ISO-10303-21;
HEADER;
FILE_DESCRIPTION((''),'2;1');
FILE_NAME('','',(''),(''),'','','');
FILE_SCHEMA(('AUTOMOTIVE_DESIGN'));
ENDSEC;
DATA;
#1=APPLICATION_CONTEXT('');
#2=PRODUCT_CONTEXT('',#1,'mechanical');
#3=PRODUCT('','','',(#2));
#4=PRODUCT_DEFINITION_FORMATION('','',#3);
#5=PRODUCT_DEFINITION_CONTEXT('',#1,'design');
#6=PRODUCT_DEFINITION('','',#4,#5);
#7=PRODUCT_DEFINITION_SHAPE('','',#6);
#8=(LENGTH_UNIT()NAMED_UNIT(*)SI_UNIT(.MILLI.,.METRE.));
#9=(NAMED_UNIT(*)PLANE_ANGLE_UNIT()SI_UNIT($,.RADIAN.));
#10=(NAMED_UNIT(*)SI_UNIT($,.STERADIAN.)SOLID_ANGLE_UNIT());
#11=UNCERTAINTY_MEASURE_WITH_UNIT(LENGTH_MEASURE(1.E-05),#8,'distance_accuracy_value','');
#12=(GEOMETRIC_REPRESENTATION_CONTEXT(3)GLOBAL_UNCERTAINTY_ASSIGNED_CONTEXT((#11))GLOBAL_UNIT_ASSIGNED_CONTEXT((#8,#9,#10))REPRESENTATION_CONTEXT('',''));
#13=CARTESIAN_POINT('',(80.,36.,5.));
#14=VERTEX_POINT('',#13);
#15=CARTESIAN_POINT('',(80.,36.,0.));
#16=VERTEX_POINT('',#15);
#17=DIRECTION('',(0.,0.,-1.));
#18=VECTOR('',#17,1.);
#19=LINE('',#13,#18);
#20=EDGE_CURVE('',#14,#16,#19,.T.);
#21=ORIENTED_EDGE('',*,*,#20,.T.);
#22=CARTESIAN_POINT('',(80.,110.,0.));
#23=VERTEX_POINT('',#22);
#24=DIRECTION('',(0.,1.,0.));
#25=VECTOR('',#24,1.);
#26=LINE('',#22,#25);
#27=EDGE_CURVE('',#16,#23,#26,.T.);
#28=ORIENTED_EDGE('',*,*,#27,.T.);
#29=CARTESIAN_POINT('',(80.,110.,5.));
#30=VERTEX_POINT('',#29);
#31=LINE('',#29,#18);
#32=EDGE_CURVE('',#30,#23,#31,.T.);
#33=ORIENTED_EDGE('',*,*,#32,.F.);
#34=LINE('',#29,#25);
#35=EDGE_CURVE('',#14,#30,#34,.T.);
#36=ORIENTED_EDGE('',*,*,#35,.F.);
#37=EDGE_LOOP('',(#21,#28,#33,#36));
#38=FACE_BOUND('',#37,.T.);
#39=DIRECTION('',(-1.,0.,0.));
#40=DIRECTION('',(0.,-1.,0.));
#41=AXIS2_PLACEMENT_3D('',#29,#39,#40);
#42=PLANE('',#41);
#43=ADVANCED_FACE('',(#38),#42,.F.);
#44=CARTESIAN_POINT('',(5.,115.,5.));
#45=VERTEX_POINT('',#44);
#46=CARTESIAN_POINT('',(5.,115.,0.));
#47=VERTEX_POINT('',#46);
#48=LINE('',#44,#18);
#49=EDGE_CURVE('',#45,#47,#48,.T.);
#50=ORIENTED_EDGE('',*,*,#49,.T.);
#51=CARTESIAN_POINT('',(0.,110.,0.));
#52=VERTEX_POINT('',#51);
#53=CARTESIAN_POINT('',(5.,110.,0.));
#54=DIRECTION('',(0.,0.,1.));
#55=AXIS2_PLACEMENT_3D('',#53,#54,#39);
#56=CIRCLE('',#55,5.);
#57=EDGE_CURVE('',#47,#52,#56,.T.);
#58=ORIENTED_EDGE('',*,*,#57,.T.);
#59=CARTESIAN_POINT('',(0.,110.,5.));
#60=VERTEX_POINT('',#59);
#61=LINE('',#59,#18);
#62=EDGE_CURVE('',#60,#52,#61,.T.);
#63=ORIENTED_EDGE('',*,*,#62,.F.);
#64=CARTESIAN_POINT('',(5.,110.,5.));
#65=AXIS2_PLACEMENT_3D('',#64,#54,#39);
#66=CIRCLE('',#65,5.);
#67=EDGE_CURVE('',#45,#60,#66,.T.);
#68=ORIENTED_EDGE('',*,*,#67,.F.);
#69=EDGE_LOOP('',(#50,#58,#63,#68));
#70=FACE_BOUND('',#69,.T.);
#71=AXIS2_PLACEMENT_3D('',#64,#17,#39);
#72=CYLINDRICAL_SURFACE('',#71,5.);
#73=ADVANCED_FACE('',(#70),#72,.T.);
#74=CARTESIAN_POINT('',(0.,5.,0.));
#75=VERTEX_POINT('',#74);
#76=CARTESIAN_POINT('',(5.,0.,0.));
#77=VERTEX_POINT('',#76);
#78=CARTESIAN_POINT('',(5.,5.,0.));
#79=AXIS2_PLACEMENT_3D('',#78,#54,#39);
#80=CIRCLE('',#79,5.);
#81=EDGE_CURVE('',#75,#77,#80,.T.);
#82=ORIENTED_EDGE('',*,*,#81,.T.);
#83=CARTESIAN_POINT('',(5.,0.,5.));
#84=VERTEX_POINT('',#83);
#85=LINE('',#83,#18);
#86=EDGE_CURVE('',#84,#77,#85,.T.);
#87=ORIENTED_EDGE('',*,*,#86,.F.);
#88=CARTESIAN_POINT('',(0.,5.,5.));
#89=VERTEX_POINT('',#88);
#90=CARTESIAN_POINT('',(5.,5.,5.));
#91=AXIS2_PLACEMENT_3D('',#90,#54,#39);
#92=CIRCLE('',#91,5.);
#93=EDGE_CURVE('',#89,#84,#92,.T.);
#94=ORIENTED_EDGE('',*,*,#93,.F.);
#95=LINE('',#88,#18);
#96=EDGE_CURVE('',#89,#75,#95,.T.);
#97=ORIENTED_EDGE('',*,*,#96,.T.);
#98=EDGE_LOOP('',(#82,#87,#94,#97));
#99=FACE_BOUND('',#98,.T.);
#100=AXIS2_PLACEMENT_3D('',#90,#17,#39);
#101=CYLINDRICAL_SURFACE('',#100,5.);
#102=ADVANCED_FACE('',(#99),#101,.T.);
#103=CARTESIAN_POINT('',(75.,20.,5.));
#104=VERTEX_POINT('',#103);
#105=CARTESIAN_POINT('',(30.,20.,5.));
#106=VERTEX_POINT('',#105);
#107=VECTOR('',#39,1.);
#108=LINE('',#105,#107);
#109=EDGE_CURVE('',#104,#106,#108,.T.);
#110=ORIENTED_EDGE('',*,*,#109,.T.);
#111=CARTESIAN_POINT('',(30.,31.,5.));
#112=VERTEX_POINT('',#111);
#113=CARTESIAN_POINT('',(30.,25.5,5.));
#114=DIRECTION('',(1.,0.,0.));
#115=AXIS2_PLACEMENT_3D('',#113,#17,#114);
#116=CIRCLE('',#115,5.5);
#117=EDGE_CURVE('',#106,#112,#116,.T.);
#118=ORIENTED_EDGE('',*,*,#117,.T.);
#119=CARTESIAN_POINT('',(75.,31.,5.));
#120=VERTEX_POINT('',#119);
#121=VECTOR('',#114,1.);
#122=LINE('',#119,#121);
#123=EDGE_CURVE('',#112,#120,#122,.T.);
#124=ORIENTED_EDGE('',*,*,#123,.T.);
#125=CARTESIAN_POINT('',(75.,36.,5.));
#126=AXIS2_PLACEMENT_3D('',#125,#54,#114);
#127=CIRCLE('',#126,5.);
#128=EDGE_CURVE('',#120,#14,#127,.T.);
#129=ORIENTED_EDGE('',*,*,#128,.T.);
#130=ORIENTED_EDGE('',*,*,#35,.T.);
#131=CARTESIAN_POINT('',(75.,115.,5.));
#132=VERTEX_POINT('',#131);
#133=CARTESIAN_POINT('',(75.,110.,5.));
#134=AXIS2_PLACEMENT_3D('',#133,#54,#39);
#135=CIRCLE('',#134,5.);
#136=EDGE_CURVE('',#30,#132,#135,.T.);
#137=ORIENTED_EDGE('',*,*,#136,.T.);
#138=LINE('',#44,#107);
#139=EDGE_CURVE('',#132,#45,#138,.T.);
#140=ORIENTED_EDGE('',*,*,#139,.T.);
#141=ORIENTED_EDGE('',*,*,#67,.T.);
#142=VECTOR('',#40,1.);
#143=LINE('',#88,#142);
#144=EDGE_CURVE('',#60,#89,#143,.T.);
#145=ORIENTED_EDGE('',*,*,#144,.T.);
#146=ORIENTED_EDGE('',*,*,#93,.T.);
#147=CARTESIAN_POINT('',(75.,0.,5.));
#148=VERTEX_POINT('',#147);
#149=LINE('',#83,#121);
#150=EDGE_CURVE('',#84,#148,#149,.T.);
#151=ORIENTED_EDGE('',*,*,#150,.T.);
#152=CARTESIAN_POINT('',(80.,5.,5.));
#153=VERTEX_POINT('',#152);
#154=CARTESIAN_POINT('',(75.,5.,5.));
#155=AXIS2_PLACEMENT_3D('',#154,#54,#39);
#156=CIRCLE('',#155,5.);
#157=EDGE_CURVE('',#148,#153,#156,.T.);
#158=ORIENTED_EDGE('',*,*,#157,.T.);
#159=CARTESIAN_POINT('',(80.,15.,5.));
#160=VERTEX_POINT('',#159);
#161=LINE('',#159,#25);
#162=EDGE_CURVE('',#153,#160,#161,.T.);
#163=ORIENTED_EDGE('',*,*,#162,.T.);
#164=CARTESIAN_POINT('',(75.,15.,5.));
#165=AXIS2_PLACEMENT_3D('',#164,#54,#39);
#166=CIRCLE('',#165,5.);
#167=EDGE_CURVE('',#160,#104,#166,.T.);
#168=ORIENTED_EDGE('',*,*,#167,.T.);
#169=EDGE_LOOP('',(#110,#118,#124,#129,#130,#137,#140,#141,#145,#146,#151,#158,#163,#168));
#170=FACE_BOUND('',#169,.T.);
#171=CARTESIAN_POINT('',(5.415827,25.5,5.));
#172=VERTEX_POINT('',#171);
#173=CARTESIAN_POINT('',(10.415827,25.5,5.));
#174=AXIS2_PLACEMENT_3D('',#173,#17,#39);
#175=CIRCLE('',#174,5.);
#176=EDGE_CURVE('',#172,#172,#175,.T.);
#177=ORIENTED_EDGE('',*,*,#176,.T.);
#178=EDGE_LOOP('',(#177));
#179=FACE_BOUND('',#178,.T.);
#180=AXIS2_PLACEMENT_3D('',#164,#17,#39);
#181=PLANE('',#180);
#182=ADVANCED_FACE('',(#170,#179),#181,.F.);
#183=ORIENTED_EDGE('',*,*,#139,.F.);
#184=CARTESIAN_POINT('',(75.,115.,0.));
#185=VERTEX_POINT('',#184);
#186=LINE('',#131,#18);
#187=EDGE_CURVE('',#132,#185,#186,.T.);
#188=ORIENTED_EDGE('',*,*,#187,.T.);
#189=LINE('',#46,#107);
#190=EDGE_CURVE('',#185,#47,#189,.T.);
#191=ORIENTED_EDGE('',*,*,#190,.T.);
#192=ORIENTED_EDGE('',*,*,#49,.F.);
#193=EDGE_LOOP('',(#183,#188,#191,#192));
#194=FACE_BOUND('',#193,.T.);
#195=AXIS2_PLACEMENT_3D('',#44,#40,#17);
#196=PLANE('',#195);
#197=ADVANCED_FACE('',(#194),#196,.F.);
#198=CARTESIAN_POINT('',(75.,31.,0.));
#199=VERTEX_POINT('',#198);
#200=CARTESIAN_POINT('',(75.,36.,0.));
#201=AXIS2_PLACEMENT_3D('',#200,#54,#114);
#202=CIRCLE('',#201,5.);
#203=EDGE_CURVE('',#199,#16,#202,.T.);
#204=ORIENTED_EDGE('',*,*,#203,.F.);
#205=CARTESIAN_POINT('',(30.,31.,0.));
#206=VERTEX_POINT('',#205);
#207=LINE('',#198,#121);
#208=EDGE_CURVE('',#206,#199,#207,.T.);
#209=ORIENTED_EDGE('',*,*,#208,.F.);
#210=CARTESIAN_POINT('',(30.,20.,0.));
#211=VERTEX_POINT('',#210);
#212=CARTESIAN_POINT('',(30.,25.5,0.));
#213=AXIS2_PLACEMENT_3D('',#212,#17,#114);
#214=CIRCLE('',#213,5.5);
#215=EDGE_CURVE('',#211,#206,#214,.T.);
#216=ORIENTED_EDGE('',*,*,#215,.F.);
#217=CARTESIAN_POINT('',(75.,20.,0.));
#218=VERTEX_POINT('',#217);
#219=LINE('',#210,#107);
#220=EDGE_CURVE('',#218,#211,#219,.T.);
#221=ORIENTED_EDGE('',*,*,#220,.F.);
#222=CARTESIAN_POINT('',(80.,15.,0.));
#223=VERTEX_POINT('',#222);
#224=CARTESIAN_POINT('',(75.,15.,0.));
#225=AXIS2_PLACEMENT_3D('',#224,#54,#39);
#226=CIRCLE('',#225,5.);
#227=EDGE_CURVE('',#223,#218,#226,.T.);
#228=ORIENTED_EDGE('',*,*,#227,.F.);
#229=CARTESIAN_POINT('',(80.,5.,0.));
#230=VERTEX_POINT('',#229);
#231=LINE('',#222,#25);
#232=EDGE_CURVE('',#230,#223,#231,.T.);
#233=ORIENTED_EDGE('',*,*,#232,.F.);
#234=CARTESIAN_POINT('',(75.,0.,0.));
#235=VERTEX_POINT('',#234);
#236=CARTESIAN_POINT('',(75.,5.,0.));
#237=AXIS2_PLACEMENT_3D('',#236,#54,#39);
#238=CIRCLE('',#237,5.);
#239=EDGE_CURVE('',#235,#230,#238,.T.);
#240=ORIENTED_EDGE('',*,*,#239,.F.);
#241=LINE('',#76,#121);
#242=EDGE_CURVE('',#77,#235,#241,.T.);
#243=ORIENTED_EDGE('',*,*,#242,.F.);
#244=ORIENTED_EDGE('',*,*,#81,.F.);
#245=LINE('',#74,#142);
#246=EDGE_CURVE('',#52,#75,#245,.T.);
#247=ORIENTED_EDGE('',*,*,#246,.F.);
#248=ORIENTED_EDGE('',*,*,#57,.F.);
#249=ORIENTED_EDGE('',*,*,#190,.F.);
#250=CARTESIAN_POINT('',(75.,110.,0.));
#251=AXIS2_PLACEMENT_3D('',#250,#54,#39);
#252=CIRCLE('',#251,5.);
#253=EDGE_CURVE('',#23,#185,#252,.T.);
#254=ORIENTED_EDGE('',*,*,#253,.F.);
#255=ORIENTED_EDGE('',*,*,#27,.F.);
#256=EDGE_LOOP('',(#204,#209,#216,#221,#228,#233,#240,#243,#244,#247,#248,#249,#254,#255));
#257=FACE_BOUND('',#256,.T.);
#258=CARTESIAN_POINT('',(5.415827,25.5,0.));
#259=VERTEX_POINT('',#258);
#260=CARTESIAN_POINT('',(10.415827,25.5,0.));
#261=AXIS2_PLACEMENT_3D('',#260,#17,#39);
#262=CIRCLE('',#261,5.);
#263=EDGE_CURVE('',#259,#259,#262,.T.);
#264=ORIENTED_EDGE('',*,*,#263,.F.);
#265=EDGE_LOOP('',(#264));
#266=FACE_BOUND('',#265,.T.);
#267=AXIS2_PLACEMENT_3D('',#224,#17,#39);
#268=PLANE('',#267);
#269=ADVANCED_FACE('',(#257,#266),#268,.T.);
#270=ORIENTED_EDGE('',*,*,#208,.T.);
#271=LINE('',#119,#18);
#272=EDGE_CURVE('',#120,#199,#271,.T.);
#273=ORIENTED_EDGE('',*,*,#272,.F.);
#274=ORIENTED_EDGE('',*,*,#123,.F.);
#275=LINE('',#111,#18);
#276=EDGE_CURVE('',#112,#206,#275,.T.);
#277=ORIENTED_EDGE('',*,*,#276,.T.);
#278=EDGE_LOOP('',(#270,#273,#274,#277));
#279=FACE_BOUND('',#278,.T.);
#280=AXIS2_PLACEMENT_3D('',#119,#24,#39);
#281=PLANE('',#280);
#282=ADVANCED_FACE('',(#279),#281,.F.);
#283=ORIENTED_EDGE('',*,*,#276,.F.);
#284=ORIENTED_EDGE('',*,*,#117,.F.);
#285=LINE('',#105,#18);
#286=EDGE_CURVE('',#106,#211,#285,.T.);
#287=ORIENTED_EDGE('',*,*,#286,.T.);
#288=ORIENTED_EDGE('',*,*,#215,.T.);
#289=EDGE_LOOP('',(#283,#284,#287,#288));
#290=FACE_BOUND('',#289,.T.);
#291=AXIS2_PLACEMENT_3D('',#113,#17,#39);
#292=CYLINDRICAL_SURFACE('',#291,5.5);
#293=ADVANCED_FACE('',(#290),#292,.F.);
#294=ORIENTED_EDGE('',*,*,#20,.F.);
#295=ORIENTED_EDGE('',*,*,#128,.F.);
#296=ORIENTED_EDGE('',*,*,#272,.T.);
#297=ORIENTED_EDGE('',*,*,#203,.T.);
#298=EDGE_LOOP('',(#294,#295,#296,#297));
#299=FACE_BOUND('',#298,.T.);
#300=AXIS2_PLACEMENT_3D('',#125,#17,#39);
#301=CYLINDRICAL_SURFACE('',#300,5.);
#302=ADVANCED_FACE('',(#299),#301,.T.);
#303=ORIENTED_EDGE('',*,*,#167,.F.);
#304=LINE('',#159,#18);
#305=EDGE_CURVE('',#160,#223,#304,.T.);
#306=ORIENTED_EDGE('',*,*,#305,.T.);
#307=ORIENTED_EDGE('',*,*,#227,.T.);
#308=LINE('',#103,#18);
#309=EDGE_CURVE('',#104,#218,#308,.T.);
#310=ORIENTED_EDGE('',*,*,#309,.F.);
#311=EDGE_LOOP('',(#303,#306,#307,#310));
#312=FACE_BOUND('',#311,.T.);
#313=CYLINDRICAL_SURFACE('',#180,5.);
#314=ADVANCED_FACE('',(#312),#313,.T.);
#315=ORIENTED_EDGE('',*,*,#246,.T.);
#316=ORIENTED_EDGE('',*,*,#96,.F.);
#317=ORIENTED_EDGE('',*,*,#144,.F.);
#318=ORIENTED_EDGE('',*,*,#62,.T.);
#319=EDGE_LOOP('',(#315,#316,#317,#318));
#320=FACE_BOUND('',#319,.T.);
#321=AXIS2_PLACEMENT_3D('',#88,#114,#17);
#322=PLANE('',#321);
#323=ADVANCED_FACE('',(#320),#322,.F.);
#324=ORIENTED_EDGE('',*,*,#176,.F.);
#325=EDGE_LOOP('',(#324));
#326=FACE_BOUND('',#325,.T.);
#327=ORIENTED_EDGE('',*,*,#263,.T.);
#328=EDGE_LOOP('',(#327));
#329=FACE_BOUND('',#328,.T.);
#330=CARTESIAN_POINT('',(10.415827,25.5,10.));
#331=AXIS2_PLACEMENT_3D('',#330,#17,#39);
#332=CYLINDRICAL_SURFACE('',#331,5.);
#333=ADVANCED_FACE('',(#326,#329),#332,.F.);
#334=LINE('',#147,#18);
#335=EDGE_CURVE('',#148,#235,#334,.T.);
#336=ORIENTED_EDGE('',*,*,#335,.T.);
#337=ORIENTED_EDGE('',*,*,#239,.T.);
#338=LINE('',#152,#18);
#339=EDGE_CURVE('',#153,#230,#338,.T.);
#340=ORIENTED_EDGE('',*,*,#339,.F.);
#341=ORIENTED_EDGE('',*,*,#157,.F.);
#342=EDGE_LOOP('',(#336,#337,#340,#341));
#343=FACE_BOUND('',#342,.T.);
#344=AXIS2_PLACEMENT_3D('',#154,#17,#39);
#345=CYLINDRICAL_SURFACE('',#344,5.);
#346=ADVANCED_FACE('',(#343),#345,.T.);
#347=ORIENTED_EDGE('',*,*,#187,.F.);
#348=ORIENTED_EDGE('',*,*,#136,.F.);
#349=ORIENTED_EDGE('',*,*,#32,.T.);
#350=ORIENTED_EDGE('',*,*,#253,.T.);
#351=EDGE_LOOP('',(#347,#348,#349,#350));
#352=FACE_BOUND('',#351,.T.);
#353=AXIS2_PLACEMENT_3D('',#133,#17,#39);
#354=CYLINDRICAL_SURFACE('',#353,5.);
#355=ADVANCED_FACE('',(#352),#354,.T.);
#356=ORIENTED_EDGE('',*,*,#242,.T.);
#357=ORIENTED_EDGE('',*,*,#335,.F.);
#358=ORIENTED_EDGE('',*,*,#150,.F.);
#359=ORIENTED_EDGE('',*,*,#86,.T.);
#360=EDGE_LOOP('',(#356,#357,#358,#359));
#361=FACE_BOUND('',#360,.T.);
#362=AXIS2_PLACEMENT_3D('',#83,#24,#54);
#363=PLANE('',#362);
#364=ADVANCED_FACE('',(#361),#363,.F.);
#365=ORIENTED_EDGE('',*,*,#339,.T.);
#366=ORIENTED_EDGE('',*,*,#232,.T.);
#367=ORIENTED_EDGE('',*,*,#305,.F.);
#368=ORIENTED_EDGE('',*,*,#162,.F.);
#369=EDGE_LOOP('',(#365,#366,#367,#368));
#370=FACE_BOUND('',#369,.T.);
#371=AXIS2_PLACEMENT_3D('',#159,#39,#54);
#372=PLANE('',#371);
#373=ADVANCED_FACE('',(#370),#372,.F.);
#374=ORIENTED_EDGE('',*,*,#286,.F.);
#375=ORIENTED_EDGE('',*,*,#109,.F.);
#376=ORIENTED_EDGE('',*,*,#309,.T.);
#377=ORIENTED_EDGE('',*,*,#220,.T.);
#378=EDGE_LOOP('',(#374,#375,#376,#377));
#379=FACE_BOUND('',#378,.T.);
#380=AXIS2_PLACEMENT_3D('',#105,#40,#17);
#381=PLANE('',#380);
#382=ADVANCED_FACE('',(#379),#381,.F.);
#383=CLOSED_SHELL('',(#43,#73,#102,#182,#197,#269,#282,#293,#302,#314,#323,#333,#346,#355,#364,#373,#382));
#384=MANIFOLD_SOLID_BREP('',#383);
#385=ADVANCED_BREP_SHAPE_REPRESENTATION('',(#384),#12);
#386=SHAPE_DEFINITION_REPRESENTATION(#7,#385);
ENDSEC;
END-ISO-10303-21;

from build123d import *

# Parameters (mm, degrees)
BOSS_EXTRU_1_DEPTH      = 5
ESQUISSE3_R             = 5
ENL_V_MAT_EXTRU_1_DEPTH = 10


with BuildPart() as part:
    # Esquisse1 → Boss.-Extru.1 (new body)
    with BuildSketch(Plane.XY):
        with BuildLine():
            Line((80, 110), (80, 36))
            ThreePointArc((80, 36), (78.535533906, 32.464466094), (75, 31))
            Line((75, 31), (30, 31))
            ThreePointArc((30, 31), (24.5, 25.5), (30, 20))
            Line((30, 20), (75, 20))
            ThreePointArc((75, 20), (78.535533906, 18.535533906), (80, 15))
            Line((80, 15), (80, 5))
            ThreePointArc((80, 5), (78.535533906, 1.464466094), (75, 0))
            Line((75, 0), (5, 0))
            ThreePointArc((5, 0), (1.464466094, 1.464466094), (0, 5))
            Line((0, 5), (0, 110))
            ThreePointArc((0, 110), (1.464466094, 113.535533906), (5, 115))
            Line((5, 115), (75, 115))
            ThreePointArc((75, 115), (78.535533906, 113.535533906), (80, 110))
        make_face()
    extrude(amount=BOSS_EXTRU_1_DEPTH)

    # Esquisse3 → Enlèv. mat.-Extru.1 (cut)
    with BuildSketch(Plane(origin=(0, 0, 0), x_dir=(-1, 0, 0), z_dir=(0, 0, -1))):
        with Locations((-10.415827114, 25.5)):
            Circle(ESQUISSE3_R)
    extrude(amount=-ENL_V_MAT_EXTRU_1_DEPTH, mode=Mode.SUBTRACT)


solid = part.part
